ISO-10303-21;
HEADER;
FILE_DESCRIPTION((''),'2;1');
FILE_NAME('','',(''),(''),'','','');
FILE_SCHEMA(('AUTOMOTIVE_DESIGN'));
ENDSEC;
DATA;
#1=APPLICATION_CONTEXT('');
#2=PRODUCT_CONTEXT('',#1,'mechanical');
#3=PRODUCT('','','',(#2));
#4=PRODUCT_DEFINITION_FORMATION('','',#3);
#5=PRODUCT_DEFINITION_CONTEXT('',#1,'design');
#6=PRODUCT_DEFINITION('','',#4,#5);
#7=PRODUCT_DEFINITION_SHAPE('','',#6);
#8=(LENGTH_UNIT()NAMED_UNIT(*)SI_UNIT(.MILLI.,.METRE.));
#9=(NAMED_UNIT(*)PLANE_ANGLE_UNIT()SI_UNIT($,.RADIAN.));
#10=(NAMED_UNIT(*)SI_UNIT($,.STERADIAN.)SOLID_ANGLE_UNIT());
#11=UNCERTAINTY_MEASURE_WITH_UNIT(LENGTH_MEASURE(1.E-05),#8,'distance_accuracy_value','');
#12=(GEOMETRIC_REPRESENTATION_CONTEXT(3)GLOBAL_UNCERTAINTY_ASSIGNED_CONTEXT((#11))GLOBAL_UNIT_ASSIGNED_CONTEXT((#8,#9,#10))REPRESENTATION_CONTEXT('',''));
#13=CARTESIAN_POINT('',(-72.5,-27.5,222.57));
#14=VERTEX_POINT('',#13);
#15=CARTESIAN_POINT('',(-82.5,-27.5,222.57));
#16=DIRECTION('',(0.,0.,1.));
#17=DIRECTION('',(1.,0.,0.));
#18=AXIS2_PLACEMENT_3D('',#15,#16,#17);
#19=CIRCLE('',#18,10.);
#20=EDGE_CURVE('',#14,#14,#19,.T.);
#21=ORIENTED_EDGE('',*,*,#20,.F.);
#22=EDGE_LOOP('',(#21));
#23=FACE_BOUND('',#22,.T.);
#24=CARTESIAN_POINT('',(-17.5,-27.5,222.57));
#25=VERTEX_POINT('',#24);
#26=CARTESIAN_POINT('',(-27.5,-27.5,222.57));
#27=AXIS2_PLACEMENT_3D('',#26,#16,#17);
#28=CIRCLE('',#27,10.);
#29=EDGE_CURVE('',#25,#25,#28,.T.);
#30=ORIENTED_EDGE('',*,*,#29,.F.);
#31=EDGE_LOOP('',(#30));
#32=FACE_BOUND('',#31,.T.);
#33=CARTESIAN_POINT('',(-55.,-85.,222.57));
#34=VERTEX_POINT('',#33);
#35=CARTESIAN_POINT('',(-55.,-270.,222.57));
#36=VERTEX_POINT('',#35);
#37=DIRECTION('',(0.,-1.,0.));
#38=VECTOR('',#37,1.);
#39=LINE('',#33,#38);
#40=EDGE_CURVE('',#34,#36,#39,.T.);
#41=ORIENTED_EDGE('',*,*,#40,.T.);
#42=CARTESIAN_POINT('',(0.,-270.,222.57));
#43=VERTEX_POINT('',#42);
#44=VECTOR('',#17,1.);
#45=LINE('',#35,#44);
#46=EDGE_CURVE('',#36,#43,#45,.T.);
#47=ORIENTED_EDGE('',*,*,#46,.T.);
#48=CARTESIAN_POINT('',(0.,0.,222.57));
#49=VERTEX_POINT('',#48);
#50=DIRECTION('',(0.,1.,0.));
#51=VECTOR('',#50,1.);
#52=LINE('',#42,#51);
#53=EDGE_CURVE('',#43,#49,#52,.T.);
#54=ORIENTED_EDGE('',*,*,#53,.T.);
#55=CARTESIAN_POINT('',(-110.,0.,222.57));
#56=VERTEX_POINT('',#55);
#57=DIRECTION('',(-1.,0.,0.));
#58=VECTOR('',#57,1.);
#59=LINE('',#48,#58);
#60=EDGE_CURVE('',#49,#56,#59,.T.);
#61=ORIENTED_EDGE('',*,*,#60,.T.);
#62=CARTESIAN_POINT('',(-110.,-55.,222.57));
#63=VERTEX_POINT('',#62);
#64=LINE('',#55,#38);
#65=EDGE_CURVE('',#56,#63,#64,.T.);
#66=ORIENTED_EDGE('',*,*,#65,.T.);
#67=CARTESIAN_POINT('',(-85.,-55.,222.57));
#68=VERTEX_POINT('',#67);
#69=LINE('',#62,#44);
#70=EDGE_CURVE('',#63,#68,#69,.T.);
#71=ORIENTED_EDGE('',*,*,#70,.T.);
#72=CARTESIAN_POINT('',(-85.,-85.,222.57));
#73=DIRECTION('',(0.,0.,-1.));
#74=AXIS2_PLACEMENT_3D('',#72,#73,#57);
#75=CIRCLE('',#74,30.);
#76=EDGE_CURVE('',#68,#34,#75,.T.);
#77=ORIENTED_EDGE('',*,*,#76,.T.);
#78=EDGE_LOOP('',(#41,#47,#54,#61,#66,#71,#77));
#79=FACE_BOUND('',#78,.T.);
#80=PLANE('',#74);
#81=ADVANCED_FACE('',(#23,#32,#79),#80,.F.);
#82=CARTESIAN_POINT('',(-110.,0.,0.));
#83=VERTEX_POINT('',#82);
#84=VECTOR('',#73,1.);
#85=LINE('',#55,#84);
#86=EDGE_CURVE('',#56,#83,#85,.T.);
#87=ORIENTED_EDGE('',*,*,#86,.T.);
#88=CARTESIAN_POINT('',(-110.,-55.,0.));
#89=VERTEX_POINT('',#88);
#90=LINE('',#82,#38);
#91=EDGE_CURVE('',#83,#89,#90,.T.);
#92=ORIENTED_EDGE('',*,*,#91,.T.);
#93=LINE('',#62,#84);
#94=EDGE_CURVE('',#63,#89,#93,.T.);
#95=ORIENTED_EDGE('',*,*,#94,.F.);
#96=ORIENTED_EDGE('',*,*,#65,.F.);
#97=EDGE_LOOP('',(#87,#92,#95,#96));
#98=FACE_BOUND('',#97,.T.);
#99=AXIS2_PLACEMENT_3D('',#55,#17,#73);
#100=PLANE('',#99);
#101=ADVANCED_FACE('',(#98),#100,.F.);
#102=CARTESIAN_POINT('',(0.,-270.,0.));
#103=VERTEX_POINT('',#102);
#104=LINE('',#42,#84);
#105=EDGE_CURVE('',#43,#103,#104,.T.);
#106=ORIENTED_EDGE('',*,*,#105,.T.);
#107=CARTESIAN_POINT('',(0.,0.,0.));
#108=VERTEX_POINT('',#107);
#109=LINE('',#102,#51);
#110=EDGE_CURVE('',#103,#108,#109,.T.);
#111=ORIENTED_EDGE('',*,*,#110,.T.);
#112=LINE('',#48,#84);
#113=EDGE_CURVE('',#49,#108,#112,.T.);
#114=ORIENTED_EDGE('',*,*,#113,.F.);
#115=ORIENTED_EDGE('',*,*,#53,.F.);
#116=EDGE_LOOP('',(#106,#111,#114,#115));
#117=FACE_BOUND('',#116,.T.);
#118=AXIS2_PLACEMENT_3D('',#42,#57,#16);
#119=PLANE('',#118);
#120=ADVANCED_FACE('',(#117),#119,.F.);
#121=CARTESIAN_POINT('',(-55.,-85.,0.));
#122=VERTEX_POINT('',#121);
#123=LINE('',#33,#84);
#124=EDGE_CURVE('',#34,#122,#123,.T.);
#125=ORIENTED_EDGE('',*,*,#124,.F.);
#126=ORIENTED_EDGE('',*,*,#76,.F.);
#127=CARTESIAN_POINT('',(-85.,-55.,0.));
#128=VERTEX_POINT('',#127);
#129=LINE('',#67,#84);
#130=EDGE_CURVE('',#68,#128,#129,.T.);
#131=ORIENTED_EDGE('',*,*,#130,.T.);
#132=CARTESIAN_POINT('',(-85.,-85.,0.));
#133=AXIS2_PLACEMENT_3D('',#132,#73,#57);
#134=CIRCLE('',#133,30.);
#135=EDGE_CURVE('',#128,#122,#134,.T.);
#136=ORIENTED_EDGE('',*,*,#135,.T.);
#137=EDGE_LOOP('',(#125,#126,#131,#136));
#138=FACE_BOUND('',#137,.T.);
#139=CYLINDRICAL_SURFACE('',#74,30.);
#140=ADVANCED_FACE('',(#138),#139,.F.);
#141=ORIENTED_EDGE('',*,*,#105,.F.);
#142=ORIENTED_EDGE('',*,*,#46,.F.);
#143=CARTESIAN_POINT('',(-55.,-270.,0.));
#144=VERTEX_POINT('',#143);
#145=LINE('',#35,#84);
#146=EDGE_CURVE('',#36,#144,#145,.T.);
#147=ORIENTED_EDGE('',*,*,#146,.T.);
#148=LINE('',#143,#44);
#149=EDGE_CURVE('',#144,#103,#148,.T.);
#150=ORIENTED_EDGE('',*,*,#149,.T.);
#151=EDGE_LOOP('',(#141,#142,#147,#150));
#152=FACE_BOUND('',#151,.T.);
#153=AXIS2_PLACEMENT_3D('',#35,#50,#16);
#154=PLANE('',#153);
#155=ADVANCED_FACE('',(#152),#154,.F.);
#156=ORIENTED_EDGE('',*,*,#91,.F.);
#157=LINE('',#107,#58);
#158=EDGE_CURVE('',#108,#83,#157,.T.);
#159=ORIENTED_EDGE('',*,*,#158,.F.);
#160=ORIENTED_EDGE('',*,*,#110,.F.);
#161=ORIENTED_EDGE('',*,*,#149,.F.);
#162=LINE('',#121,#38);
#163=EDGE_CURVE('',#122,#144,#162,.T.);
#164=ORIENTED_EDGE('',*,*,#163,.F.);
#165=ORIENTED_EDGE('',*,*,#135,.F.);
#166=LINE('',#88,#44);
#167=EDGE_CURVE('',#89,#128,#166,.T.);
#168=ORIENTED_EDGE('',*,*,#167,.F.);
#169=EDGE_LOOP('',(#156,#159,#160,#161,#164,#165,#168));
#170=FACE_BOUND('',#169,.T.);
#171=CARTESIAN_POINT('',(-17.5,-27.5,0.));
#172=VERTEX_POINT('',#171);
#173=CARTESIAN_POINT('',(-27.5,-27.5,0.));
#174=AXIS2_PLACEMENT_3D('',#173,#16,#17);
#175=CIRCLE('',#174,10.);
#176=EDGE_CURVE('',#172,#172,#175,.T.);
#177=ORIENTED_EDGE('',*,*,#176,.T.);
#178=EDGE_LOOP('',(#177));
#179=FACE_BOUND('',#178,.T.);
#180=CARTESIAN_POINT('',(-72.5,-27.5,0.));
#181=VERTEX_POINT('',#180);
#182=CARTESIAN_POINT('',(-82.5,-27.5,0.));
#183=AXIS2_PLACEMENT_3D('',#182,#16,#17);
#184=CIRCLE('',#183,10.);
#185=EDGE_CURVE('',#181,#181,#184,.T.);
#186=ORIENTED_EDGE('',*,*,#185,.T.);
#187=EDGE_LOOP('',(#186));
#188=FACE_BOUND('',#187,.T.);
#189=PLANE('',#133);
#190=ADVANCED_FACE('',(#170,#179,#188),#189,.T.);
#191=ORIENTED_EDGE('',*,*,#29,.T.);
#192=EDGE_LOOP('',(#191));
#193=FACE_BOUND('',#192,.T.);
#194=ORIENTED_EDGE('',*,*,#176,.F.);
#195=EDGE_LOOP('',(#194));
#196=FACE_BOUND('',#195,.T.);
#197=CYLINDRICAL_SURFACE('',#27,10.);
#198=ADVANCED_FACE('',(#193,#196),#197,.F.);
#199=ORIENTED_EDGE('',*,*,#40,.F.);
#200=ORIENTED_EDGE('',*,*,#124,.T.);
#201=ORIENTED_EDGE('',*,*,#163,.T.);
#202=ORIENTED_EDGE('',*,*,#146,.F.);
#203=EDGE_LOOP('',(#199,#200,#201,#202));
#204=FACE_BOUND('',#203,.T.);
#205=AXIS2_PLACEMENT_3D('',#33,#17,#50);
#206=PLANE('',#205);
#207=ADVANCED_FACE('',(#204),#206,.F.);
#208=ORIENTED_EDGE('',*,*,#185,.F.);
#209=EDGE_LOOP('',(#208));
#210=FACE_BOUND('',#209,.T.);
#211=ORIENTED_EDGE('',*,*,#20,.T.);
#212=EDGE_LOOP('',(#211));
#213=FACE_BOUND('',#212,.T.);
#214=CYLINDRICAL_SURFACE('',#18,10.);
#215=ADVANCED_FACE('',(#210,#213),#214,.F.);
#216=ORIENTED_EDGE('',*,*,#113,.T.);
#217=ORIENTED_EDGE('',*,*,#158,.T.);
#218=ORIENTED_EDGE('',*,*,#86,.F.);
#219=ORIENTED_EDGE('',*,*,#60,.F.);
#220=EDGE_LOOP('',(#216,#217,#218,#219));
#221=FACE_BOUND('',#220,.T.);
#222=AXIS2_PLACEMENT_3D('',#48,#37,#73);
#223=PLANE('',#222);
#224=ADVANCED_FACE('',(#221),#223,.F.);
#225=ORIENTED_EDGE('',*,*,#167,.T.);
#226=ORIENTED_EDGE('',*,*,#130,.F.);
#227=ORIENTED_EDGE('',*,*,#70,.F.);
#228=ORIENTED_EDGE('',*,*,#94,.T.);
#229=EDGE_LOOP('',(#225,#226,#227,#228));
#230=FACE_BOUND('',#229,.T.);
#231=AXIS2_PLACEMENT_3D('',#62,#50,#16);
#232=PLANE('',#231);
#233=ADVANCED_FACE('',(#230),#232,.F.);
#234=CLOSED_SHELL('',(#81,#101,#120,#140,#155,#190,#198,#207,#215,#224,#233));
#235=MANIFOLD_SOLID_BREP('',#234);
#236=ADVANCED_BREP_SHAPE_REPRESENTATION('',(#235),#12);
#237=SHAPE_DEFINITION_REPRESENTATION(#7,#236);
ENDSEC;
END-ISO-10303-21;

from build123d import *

# Parameters (mm, degrees)
BOSS_EXTRUDE1_DEPTH    = 222.57
F_20_0MM_DOWEL_HOLE1_D = 20


with BuildPart() as part:
    # Sketch1 → Boss-Extrude1 (new body)
    with BuildSketch(Plane.XY):
        with BuildLine():
            Line((0, 0), (-110, 0))
            Line((-110, 0), (-110, -55))
            Line((-110, -55), (-85, -55))
            ThreePointArc((-85, -55), (-63.786796564, -63.786796564), (-55, -85))
            Line((-55, -85), (-55, -270))
            Line((-55, -270), (0, -270))
            Line((0, -270), (0, 0))
        make_face()
    extrude(amount=BOSS_EXTRUDE1_DEPTH)

    # Ø20.0mm Dowel Hole1 (through all)
    with Locations(Plane.XY.offset(222.57)):
        with Locations((-82.5, -27.5), (-27.5, -27.5)):
            Hole(F_20_0MM_DOWEL_HOLE1_D / 2)


solid = part.part
